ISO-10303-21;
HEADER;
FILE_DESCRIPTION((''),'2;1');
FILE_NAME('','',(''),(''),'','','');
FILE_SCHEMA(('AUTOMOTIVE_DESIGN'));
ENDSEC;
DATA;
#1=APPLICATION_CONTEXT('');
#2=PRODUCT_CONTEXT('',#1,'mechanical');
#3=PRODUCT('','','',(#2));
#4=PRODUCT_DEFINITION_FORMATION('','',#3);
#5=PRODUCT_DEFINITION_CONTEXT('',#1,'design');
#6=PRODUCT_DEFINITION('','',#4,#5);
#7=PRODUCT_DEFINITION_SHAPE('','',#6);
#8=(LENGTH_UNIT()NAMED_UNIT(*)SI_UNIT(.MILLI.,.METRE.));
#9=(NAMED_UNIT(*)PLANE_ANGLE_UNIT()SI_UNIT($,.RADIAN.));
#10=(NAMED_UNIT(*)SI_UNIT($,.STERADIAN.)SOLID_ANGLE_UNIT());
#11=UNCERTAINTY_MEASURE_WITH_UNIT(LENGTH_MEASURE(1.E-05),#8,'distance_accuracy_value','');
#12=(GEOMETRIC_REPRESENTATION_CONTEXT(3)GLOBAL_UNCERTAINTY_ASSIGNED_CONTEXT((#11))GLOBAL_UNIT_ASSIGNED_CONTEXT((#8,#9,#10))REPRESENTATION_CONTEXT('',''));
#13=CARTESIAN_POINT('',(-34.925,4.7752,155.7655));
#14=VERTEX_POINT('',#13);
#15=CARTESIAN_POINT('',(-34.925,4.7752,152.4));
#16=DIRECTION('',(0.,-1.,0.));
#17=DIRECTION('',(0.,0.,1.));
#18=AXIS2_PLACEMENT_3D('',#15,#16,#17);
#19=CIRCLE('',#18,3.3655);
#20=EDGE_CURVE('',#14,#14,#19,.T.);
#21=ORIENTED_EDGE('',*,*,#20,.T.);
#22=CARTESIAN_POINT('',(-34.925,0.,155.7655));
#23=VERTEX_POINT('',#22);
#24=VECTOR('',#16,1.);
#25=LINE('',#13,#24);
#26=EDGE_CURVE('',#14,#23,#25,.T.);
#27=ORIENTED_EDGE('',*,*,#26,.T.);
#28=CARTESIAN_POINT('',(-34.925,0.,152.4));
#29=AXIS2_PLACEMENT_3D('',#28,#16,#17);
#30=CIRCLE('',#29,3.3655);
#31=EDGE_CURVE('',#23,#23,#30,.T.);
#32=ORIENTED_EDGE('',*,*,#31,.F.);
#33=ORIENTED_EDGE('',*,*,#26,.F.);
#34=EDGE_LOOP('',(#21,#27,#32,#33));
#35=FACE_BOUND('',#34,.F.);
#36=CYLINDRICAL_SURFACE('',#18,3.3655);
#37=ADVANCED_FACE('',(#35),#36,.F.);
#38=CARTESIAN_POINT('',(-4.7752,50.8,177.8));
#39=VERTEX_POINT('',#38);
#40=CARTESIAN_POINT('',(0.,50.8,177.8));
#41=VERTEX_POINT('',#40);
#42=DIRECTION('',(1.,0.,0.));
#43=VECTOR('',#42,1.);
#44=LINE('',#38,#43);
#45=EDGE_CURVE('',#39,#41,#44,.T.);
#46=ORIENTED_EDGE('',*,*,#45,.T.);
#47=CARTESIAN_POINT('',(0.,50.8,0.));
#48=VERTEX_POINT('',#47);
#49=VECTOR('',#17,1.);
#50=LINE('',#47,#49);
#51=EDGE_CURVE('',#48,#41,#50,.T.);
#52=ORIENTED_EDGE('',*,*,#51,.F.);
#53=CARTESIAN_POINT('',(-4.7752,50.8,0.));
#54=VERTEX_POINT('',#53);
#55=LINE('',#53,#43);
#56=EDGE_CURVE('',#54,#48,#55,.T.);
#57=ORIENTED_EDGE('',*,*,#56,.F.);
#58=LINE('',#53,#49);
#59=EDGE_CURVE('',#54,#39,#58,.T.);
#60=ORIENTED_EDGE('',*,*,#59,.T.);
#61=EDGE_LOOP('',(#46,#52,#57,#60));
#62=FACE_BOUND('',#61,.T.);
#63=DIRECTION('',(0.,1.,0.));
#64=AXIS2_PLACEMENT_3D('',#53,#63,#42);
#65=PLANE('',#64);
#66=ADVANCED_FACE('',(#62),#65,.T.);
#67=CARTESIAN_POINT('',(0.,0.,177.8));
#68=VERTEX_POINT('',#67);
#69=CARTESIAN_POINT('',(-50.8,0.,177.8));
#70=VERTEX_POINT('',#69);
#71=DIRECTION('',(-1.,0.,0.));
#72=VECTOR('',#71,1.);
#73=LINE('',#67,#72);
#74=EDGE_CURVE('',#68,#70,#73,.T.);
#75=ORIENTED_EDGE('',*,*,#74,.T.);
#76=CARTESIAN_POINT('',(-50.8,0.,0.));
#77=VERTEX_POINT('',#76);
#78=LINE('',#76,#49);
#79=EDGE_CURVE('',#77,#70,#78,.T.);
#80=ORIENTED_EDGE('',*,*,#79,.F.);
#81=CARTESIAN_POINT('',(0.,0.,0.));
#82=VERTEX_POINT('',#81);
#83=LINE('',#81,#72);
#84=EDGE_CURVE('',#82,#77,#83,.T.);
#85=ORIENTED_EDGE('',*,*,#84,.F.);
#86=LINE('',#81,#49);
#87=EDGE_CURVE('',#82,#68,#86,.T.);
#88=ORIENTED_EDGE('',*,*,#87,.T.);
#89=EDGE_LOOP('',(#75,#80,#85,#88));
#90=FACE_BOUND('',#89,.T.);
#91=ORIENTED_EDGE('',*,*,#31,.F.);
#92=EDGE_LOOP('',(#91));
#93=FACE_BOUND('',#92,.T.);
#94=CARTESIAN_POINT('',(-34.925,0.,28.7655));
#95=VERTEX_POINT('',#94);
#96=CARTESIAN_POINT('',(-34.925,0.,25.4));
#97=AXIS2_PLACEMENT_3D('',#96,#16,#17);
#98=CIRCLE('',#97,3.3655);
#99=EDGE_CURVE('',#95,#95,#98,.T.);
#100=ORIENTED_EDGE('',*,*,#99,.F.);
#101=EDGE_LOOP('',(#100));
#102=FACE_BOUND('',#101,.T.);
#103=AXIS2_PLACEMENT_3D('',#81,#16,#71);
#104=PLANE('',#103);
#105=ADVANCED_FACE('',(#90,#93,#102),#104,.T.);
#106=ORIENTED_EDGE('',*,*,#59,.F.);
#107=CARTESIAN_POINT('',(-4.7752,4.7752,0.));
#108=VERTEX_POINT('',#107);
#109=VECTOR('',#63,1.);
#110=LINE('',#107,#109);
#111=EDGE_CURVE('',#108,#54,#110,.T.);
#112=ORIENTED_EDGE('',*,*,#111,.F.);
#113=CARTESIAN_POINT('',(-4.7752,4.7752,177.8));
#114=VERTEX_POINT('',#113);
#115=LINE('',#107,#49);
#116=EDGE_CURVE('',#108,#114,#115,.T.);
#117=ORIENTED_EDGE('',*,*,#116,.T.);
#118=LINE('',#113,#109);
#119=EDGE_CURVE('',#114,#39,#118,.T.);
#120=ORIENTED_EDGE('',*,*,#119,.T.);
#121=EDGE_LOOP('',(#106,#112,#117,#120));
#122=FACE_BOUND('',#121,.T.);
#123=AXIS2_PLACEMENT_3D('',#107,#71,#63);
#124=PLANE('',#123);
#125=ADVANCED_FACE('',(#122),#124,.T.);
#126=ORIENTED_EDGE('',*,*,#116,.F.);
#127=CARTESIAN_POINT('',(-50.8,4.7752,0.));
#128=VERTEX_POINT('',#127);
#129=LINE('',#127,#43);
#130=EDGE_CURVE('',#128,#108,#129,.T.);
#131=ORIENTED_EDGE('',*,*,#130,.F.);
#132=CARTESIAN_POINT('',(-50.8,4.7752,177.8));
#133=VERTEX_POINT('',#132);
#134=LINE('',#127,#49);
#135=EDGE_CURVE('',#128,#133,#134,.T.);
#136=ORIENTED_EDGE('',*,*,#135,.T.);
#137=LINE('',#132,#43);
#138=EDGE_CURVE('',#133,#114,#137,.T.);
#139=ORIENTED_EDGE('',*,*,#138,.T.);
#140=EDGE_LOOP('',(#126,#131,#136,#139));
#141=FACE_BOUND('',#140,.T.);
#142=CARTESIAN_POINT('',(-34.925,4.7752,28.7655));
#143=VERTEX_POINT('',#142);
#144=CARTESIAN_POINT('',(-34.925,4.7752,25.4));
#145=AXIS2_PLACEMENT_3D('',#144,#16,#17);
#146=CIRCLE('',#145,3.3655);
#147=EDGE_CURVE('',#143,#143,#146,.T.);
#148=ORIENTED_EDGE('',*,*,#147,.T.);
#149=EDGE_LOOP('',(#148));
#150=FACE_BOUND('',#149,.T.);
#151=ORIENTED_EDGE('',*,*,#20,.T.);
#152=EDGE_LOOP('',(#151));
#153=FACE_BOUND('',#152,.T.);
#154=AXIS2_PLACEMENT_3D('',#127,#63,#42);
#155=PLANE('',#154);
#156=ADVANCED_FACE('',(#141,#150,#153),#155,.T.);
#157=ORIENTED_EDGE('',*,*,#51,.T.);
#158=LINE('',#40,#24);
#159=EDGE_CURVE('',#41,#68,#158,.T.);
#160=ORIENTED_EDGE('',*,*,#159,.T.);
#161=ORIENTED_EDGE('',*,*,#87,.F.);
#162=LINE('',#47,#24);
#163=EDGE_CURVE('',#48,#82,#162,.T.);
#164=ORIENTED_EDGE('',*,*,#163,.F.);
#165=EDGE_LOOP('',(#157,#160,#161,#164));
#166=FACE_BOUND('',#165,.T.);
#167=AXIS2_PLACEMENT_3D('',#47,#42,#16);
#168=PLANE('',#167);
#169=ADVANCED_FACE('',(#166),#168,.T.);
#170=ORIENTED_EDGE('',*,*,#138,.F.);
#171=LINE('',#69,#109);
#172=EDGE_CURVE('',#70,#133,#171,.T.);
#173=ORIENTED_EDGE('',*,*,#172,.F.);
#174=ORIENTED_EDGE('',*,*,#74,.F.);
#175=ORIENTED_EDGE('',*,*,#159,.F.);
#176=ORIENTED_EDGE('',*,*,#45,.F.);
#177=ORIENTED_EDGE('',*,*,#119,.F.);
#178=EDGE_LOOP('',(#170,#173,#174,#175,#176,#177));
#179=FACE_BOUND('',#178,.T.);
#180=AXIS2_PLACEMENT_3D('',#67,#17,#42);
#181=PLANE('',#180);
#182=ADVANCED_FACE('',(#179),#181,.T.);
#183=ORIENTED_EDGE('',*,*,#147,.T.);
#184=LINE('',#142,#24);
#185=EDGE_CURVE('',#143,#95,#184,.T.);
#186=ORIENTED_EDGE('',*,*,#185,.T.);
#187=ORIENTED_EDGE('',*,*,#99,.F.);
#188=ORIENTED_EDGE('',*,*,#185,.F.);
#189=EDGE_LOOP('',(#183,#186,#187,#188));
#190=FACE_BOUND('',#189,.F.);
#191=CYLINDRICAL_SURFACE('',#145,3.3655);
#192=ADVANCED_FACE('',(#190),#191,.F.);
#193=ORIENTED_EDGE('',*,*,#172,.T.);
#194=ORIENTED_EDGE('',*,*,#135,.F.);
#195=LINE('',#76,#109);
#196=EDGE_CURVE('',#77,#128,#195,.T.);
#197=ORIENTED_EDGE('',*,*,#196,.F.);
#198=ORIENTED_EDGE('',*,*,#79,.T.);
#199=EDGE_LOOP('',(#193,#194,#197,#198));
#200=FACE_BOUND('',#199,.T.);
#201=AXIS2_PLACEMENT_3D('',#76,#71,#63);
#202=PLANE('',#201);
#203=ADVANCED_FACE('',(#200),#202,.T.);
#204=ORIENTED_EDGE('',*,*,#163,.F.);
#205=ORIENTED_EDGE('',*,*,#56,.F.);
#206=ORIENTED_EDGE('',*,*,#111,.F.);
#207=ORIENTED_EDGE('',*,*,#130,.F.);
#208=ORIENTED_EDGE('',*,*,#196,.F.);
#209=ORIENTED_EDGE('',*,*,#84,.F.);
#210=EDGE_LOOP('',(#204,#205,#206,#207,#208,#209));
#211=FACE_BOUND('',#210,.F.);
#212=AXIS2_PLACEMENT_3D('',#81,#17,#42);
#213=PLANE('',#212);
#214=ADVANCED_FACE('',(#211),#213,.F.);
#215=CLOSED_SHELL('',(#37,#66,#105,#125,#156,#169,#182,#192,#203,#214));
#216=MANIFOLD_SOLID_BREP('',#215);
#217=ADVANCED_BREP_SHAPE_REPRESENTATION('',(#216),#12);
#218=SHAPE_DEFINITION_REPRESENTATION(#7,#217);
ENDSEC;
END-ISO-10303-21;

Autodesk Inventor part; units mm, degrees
ref_plane "YZ Plane" through (0, 0, 0) normal (1, 0, 0) x (0, 1, 0)
ref_plane "XZ Plane" through (0, 0, 0) normal (0, 1, 0) x (-1, 0, 0)
ref_plane "XY Plane" through (0, 0, 0) normal (0, 0, 1) x (1, 0, 0)
sketch "Sketch1" plane through (0, 0, 0) normal (0, 0, 1) x (1, 0, 0)
  line L0 (0, 50.8) -> (0, 0)
  line L1 (0, 0) -> (-50.8, 0)
  line L2 (-50.8, 0) -> (-50.8, 4.7752)
  line L3 (-50.8, 4.7752) -> (-4.7752, 4.7752)
  line L4 (-4.7752, 4.7752) -> (-4.7752, 50.8)
  line L5 (-4.7752, 50.8) -> (0, 50.8)
  dimension "d0" = 50.8
  dimension "d1" = 4.7752
extrude "Extrusion1" add sketch "Sketch1" along normal blind 177.8
hole "Hole1" at (-34.925, 4.7752, 25.4) direction (0, -1, 0) diameter 6.731 depth 25.4 tip angle 118
hole "Hole2" at (-34.925, 4.7752, 152.4) direction (0, -1, 0) diameter 6.731 depth 25.4 tip angle 118
properties part number "GE-12016-07"
